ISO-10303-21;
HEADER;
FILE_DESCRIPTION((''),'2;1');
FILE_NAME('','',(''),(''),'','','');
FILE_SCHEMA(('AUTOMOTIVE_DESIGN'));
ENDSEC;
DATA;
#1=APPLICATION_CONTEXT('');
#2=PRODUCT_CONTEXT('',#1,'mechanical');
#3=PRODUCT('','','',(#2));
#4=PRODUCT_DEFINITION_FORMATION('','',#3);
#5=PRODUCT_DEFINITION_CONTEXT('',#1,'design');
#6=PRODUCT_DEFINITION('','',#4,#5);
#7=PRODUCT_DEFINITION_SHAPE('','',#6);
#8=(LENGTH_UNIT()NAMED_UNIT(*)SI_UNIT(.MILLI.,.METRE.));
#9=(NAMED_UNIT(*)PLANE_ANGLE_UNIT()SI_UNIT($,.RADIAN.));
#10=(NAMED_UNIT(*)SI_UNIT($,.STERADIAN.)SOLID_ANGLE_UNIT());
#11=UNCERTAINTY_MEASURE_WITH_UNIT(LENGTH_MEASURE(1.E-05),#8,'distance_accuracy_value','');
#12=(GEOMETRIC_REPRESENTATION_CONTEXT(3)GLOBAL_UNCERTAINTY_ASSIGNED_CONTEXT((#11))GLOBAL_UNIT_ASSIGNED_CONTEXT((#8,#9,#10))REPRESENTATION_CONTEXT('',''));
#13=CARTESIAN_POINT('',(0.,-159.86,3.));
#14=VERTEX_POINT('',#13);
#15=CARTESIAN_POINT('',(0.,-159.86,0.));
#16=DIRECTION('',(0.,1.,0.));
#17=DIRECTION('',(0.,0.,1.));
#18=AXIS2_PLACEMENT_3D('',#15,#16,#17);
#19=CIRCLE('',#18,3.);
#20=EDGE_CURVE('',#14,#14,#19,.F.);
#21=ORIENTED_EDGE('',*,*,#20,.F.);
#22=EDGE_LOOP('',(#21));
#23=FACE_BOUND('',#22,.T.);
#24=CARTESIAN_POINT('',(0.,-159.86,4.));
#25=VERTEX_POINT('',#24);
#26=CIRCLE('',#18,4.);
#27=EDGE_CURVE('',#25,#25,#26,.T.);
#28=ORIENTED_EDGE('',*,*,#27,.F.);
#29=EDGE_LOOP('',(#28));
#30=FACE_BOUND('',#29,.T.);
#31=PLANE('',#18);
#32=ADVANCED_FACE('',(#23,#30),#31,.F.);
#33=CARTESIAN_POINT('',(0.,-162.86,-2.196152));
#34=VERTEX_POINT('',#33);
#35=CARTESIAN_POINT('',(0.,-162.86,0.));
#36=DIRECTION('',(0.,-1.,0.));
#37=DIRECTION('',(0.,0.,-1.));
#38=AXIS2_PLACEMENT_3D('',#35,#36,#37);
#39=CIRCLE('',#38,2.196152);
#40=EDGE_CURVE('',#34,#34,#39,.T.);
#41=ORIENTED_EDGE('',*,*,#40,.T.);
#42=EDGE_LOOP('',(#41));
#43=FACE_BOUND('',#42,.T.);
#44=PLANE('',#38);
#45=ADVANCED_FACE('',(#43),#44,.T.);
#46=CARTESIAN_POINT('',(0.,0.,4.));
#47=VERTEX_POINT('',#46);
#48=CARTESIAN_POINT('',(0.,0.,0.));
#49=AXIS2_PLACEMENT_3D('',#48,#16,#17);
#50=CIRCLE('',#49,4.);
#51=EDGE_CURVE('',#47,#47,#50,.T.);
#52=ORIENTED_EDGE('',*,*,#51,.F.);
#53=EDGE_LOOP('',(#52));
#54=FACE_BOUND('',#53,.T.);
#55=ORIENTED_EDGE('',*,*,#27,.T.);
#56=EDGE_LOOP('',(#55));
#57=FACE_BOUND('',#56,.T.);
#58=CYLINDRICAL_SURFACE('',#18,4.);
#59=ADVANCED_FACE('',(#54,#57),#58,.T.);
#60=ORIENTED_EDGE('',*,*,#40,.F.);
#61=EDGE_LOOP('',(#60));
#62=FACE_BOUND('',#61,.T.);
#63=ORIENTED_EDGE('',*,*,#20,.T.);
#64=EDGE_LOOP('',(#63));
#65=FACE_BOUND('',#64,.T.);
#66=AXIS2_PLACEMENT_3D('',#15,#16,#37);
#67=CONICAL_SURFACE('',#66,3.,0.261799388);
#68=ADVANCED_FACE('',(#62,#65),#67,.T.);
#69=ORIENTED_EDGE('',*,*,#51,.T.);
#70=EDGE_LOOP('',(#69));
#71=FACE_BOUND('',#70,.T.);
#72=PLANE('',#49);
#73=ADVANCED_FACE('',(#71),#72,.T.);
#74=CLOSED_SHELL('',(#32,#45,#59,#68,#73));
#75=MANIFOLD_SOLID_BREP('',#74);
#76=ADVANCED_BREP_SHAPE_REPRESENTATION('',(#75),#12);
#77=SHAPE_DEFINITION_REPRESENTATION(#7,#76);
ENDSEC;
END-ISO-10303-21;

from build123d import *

# Parameters (mm, degrees)
ESBO_O1_R       = 4
EXTRUS_O1_DEPTH = 159.86
ESBO_O3_R       = 3
EXTRUS_O2_DEPTH = 3
EXTRUS_O2_TAPER = 15


with BuildPart() as part:
    # Esboço1 → Extrusão1 (new body)
    with BuildSketch(Plane(origin=(0, 0, 0), x_dir=(1, 0, 0), z_dir=(0, 1, 0))):
        with Locations(Location((0, 0, 0), (0, 0, 270))):  # turned: the seam where the file's is
            Circle(ESBO_O1_R)
    extrude(amount=-EXTRUS_O1_DEPTH)

    # Esboço3 → Extrusão2 (add)
    with BuildSketch(Plane.XZ.offset(159.86)):
        Circle(ESBO_O3_R)
    extrude(amount=EXTRUS_O2_DEPTH, taper=EXTRUS_O2_TAPER)


solid = part.part
